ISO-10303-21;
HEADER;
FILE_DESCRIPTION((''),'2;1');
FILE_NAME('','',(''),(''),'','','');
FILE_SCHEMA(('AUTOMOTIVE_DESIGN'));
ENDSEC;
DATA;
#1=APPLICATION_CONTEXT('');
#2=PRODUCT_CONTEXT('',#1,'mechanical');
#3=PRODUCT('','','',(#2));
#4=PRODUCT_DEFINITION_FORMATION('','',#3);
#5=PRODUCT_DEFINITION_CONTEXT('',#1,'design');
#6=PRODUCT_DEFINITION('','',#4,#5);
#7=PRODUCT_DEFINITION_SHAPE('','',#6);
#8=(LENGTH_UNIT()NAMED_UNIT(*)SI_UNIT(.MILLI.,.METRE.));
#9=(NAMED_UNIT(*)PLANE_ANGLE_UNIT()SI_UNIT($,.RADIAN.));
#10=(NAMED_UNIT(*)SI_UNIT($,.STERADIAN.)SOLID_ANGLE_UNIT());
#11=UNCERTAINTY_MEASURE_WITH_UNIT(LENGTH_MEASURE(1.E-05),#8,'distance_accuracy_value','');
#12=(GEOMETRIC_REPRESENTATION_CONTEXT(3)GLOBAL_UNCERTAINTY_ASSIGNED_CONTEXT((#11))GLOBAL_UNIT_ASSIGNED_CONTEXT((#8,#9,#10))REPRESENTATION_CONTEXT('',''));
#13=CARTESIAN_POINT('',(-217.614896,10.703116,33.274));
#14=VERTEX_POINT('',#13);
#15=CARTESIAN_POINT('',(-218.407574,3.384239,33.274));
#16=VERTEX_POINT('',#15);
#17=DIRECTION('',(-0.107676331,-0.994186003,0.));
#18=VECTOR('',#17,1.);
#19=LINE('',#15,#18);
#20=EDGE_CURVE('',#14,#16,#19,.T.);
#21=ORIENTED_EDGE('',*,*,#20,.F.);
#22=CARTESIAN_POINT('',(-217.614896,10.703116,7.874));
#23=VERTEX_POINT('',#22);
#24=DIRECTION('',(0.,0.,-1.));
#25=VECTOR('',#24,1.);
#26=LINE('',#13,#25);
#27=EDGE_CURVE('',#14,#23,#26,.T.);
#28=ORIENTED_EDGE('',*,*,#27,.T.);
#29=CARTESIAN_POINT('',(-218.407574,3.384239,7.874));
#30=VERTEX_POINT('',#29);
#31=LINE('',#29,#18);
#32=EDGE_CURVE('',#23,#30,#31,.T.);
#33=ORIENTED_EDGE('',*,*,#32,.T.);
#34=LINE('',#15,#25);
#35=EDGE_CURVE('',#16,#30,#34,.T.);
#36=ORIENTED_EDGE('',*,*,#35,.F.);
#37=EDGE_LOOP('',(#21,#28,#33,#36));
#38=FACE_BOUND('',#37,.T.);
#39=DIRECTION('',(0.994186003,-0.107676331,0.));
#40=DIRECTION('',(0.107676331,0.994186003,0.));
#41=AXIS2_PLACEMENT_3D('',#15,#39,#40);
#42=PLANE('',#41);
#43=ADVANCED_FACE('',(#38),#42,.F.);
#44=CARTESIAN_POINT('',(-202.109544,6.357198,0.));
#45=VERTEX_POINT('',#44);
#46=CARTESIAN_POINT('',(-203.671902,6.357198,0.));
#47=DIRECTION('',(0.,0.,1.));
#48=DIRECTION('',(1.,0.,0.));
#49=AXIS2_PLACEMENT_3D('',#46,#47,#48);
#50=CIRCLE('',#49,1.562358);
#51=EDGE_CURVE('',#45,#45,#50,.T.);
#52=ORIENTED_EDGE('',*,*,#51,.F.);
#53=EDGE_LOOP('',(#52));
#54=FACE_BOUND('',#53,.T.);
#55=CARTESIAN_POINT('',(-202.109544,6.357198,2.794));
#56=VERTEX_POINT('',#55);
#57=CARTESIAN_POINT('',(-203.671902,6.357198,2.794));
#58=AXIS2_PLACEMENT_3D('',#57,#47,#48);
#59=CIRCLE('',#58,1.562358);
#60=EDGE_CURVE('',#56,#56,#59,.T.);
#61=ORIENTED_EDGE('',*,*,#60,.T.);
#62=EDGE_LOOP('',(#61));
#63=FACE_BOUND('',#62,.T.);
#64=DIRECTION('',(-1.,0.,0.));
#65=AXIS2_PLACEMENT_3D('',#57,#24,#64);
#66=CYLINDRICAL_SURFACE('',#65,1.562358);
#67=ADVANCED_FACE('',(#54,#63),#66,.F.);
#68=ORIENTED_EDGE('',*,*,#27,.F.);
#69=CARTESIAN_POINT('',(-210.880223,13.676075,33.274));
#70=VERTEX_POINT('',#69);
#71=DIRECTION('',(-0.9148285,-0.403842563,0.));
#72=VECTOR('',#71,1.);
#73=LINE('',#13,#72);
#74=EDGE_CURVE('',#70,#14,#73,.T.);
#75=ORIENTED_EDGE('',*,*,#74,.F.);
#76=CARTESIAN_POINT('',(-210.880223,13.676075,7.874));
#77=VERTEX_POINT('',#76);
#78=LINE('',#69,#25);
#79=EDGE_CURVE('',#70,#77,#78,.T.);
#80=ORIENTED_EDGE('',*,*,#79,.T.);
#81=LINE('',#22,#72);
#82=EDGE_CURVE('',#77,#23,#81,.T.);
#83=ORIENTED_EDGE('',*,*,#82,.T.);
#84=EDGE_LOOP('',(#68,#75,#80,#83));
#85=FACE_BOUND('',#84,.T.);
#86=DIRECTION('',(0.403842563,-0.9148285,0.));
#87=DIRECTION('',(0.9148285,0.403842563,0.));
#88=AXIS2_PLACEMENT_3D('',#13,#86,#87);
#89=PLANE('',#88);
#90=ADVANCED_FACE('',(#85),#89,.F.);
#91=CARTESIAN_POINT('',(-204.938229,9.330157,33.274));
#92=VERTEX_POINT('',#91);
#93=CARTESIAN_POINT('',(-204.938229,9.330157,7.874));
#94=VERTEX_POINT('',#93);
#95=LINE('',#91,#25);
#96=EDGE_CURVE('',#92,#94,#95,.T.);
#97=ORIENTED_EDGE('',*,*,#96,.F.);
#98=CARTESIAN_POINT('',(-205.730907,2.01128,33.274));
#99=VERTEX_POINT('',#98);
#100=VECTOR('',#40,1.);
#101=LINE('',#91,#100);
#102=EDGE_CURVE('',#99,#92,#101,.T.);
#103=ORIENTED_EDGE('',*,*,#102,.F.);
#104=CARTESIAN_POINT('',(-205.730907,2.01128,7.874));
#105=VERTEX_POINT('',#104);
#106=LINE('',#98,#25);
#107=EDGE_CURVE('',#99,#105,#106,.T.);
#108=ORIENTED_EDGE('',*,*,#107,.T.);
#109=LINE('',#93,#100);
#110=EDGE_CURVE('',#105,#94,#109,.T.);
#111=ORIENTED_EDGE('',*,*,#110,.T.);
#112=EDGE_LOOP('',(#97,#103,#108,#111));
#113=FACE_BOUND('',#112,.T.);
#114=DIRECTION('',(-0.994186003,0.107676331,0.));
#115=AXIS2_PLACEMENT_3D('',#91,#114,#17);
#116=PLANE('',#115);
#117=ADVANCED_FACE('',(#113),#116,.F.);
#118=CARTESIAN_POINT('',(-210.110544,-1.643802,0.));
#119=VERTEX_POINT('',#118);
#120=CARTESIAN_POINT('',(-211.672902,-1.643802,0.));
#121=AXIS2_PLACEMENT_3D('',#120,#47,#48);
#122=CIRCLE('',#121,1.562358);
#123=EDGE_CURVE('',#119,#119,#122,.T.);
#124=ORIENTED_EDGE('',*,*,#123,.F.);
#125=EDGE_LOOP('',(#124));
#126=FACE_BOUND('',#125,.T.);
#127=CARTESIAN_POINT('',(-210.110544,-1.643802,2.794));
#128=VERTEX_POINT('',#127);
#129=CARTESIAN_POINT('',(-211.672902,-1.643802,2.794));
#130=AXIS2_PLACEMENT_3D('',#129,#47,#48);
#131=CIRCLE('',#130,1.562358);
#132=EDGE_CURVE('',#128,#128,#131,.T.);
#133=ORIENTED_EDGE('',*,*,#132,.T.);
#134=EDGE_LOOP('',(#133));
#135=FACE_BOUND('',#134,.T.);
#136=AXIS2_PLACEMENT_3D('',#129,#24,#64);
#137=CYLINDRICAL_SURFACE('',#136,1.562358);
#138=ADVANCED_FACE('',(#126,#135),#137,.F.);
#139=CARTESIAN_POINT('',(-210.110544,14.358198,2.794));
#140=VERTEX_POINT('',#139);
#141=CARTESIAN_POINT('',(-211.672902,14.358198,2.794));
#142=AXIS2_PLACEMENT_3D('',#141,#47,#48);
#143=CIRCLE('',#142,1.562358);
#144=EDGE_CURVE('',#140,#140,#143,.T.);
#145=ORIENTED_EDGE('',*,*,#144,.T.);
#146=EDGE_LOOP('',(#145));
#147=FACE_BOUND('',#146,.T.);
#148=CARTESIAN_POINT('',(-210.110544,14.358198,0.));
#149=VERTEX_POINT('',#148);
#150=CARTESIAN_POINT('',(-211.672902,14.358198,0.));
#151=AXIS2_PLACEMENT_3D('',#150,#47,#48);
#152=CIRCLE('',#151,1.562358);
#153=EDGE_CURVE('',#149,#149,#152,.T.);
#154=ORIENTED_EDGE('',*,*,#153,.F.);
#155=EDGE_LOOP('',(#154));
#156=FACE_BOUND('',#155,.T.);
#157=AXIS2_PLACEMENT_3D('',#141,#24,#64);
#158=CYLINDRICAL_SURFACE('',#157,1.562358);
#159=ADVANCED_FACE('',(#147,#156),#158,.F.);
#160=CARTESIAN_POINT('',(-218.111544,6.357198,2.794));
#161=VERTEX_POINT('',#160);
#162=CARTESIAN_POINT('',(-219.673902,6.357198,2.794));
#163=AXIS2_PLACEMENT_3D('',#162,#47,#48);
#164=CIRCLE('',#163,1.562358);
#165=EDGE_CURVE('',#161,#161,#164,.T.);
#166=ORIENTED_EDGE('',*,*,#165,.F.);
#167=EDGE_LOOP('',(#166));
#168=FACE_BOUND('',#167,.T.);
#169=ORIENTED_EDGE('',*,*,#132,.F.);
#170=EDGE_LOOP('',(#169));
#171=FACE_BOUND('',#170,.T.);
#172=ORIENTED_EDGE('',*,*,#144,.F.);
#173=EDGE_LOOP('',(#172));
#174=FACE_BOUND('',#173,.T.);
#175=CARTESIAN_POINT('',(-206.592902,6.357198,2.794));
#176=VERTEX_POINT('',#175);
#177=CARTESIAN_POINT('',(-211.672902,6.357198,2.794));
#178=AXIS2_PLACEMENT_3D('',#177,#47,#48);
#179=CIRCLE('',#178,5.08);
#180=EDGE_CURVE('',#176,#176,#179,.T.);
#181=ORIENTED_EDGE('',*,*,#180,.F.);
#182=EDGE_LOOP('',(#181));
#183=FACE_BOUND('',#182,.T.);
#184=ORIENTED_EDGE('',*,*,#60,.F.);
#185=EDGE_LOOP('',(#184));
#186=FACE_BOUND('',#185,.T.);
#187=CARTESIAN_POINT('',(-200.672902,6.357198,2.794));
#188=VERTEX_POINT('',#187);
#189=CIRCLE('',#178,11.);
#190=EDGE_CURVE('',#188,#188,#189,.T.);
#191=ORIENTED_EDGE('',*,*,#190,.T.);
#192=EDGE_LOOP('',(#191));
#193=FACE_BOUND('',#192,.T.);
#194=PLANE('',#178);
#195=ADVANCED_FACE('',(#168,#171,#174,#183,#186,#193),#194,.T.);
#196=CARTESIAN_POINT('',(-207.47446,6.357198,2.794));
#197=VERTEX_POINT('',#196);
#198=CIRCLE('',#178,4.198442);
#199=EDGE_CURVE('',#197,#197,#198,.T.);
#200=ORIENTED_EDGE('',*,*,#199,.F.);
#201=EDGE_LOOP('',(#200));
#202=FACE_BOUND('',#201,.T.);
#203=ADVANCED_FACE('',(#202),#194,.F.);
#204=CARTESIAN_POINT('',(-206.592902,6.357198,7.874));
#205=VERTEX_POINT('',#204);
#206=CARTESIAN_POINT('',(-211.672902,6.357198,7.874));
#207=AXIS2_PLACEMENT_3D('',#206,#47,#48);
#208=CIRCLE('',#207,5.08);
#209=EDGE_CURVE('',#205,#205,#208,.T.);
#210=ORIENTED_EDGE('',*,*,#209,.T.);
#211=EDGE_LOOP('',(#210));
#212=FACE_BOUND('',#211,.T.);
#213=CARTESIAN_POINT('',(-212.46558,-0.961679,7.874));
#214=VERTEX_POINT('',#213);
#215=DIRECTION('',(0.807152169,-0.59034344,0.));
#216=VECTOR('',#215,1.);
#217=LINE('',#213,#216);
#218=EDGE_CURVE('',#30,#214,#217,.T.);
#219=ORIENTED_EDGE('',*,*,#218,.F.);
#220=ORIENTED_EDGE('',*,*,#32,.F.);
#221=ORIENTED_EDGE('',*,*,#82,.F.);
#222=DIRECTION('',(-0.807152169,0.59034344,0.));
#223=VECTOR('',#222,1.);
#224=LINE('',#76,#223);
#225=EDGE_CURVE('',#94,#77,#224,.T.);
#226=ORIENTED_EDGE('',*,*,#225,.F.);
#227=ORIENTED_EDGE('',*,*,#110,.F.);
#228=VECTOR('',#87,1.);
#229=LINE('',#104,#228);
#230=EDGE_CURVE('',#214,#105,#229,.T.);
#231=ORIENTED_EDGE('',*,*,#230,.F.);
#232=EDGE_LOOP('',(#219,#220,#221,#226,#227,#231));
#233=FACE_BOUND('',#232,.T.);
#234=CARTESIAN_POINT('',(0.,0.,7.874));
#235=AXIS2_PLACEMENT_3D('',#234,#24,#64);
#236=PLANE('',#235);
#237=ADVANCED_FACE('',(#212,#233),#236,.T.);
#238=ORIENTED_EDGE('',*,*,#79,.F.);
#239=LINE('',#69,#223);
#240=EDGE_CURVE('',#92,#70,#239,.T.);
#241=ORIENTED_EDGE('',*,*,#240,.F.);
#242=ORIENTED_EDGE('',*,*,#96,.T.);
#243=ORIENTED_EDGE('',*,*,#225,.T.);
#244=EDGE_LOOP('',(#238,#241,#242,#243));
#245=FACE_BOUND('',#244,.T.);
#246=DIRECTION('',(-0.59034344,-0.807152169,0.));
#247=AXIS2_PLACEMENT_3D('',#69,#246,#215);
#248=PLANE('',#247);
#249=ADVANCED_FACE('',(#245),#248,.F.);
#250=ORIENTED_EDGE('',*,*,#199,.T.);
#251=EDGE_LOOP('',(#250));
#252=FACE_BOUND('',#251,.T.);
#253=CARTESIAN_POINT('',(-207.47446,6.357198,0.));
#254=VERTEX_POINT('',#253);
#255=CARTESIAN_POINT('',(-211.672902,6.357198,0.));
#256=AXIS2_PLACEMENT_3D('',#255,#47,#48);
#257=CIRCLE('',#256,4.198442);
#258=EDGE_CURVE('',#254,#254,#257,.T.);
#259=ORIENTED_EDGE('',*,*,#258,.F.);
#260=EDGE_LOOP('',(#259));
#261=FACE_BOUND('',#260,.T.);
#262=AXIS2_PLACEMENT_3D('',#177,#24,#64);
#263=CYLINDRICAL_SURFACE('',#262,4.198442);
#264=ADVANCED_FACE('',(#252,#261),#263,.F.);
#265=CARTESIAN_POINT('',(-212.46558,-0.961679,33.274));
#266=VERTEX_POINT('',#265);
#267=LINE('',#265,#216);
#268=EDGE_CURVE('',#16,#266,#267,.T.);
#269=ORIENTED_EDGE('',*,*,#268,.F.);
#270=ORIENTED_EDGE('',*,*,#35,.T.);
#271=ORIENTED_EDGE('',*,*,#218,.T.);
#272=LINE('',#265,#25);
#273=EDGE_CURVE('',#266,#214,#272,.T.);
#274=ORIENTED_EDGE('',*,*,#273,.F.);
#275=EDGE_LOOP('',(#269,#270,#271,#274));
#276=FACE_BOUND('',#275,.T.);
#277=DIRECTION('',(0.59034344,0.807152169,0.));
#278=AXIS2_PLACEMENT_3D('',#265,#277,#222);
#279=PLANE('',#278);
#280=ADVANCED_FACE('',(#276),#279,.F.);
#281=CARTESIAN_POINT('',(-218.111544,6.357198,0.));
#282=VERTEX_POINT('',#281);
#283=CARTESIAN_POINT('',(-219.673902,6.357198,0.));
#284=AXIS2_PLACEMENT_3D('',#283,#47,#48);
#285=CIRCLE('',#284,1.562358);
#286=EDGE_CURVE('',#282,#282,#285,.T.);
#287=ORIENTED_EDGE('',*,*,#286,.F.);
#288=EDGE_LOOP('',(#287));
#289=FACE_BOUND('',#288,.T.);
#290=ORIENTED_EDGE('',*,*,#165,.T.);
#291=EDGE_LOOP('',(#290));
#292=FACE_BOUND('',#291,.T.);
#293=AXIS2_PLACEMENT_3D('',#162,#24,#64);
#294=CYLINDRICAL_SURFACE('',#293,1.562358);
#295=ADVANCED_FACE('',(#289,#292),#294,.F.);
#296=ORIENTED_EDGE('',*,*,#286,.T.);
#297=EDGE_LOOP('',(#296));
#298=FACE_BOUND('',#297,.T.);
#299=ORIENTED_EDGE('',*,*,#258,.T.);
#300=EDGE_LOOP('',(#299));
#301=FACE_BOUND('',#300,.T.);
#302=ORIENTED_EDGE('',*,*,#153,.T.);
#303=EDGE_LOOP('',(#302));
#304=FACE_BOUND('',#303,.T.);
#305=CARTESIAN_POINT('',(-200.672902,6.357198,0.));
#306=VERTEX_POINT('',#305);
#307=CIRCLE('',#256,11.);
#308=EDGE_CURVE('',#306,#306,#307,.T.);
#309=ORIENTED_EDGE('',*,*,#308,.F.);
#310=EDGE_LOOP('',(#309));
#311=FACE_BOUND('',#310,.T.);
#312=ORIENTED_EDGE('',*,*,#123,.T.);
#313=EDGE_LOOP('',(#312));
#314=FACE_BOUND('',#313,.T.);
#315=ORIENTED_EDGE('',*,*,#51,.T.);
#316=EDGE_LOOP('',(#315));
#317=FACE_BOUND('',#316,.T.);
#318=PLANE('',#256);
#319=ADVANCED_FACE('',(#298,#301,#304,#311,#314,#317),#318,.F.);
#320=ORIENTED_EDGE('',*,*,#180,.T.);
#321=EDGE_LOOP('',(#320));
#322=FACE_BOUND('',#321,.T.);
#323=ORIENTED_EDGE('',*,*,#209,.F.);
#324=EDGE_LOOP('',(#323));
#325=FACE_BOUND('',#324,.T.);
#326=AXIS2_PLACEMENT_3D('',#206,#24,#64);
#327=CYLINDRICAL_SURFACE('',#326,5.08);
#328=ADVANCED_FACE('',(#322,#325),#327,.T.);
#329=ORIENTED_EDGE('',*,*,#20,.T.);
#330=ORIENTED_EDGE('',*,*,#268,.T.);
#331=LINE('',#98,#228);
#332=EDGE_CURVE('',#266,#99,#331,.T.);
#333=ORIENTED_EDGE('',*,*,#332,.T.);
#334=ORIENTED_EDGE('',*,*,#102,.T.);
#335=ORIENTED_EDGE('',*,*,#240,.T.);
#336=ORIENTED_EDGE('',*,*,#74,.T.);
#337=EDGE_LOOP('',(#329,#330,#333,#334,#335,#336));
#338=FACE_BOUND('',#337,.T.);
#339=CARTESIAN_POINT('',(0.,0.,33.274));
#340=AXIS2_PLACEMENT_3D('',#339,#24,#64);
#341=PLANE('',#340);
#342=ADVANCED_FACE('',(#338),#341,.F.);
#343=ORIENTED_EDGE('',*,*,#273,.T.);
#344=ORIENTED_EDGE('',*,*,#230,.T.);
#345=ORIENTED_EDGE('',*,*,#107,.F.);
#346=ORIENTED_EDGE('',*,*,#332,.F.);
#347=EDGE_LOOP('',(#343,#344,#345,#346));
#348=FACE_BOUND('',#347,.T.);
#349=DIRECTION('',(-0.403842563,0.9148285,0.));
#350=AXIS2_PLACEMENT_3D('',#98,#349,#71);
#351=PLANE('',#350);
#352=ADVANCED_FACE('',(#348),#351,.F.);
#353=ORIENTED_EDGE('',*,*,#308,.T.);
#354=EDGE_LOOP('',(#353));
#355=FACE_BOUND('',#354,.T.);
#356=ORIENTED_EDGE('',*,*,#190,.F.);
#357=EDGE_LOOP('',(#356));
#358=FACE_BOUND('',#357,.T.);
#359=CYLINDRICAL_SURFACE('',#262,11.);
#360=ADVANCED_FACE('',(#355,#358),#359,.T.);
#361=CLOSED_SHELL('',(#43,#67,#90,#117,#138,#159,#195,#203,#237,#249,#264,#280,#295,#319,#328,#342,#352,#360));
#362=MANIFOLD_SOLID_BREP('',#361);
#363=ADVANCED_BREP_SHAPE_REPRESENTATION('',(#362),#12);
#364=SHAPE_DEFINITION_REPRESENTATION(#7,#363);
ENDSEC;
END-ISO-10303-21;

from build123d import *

# Parameters (mm, degrees)
SKETCH1_R           = 11.000000098
SKETCH1_R_2         = 4.1984422
SKETCH1_R_3         = 1.56235781
BOSS_EXTRUDE1_DEPTH = 2.794
SKETCH4_R           = 5.08
BOSS_EXTRUDE2_DEPTH = 5.08
BOSS_EXTRUDE4_DEPTH = 25.4


with BuildPart() as part:
    # Sketch1 → Boss-Extrude1 (new body)
    with BuildSketch(Plane.XY):
        with Locations((-211.672901702, 6.35719782)):
            Circle(SKETCH1_R)
        with Locations((-211.672901702, 6.35719782)):
            Circle(SKETCH1_R_2, mode=Mode.SUBTRACT)
        with Locations((-211.672901702, 14.35819782)):
            Circle(SKETCH1_R_3, mode=Mode.SUBTRACT)
        with Locations((-219.673901702, 6.35719782)):
            Circle(SKETCH1_R_3, mode=Mode.SUBTRACT)
        with Locations((-211.672901702, -1.64380218)):
            Circle(SKETCH1_R_3, mode=Mode.SUBTRACT)
        with Locations((-203.671901702, 6.35719782)):
            Circle(SKETCH1_R_3, mode=Mode.SUBTRACT)
    extrude(amount=BOSS_EXTRUDE1_DEPTH)

    # Sketch4 → Boss-Extrude2 (add)
    with BuildSketch(Plane.XY.offset(2.794)):
        with Locations((-211.672901702, 6.35719782)):
            Circle(SKETCH4_R)
    extrude(amount=BOSS_EXTRUDE2_DEPTH)

    # Sketch6 → Boss-Extrude4 (add)
    with BuildSketch(Plane.XY.offset(7.874)):
        Polygon((-217.614895912, 10.703116021), (-210.880223241, 13.676074856), (-204.938229031, 9.330156654), (-205.730907491, 2.011279618), (-212.465580162, -0.961679217), (-218.407574373, 3.384238985), align=None)
    extrude(amount=BOSS_EXTRUDE4_DEPTH)


solid = part.part
